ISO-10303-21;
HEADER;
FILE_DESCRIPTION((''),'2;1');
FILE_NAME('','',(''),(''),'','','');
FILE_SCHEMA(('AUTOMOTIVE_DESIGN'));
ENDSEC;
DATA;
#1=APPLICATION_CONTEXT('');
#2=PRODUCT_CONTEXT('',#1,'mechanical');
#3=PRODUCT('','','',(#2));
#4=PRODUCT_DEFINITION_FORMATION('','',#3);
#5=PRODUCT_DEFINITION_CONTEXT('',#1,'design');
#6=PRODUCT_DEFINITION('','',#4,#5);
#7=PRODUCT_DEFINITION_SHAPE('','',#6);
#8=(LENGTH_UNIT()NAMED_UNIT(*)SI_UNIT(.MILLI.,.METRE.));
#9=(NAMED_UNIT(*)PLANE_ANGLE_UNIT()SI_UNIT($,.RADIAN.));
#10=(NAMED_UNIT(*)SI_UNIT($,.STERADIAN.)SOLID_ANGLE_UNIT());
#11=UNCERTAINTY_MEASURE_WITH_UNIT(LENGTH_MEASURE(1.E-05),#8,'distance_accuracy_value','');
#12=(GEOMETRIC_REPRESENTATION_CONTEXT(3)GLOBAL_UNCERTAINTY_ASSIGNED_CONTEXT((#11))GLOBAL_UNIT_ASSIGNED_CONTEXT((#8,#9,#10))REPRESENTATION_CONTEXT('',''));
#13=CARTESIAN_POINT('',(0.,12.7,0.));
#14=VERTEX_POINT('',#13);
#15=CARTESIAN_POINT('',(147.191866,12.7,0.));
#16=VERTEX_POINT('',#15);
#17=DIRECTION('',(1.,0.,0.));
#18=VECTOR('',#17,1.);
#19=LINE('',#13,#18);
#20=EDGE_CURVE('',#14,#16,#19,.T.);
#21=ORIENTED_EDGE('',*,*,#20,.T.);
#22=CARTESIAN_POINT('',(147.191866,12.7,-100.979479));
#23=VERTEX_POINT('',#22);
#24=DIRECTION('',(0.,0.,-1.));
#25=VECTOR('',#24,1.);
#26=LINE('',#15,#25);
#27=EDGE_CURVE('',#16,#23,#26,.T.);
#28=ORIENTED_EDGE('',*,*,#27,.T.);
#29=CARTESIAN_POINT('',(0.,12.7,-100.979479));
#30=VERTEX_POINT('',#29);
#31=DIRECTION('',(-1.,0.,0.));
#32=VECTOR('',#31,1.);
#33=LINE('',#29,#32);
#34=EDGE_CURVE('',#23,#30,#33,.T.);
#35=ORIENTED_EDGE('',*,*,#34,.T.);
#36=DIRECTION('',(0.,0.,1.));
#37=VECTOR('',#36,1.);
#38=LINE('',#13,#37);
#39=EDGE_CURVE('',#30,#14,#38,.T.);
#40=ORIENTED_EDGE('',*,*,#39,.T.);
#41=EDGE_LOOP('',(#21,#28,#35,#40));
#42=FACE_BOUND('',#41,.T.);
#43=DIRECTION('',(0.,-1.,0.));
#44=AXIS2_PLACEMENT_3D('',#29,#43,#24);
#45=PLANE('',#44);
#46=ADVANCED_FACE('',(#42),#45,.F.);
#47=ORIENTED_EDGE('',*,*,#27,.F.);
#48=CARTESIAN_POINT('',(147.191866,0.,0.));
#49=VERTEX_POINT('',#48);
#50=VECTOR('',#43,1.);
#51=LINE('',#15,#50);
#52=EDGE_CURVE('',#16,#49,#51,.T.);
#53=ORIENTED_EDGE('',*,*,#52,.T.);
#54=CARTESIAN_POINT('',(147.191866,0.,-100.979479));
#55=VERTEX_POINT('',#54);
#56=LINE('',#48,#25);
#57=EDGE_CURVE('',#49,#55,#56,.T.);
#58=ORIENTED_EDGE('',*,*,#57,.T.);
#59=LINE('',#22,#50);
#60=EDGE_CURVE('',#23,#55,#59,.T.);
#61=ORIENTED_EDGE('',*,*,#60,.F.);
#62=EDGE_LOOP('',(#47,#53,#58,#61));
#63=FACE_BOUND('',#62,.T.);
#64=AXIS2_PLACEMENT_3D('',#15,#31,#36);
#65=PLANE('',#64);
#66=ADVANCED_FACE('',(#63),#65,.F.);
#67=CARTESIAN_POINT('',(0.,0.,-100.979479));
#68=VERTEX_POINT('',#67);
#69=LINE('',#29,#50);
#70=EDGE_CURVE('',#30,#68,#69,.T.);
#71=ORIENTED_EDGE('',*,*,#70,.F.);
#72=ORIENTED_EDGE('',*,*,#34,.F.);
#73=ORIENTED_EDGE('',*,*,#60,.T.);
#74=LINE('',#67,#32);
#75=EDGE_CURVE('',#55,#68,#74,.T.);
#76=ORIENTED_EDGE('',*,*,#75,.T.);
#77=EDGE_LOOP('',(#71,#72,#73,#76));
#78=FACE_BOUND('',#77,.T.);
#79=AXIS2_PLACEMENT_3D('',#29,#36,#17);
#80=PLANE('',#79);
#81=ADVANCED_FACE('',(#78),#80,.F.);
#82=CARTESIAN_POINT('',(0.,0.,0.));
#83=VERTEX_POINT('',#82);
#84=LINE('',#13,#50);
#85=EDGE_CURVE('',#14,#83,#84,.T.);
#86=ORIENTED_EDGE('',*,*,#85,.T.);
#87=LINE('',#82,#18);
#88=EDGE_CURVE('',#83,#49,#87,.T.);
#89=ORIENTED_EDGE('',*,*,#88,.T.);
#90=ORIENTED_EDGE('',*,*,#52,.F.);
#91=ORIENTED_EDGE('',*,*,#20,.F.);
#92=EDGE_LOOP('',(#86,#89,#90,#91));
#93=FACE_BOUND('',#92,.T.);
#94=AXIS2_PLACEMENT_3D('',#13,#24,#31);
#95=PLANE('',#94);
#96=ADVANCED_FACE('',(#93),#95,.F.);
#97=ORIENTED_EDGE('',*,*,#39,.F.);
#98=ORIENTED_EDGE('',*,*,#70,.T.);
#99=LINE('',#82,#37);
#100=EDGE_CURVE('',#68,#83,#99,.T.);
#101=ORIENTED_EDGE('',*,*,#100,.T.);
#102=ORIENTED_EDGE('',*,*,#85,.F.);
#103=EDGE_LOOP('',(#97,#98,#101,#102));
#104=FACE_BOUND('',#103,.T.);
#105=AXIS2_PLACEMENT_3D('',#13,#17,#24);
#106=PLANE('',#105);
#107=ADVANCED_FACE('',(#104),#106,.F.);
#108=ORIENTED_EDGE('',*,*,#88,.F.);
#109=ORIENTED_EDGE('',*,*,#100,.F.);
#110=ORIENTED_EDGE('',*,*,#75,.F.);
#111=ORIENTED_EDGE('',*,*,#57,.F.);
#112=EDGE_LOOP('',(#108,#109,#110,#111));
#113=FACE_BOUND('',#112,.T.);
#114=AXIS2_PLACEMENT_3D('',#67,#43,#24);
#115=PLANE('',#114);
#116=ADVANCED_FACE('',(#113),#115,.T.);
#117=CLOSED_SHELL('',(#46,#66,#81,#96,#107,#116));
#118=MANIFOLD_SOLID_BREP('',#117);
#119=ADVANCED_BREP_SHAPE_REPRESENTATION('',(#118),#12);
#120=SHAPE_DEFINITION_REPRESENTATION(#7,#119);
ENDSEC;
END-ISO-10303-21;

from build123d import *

# Parameters (mm, degrees)
SKETCH6_W      = 147.191865544
SKETCH6_H      = 100.979479207
EXTRUDE1_DEPTH = 12.7


with BuildPart() as part:
    # Sketch6 → Extrude1 (new body)
    with BuildSketch(Plane(origin=(0, 0, 0), x_dir=(1, 0, 0), z_dir=(0, 1, 0))):
        with Locations((73.595932772, 50.489739604)):
            Rectangle(SKETCH6_W, SKETCH6_H)
    extrude(amount=EXTRUDE1_DEPTH)


solid = part.part
